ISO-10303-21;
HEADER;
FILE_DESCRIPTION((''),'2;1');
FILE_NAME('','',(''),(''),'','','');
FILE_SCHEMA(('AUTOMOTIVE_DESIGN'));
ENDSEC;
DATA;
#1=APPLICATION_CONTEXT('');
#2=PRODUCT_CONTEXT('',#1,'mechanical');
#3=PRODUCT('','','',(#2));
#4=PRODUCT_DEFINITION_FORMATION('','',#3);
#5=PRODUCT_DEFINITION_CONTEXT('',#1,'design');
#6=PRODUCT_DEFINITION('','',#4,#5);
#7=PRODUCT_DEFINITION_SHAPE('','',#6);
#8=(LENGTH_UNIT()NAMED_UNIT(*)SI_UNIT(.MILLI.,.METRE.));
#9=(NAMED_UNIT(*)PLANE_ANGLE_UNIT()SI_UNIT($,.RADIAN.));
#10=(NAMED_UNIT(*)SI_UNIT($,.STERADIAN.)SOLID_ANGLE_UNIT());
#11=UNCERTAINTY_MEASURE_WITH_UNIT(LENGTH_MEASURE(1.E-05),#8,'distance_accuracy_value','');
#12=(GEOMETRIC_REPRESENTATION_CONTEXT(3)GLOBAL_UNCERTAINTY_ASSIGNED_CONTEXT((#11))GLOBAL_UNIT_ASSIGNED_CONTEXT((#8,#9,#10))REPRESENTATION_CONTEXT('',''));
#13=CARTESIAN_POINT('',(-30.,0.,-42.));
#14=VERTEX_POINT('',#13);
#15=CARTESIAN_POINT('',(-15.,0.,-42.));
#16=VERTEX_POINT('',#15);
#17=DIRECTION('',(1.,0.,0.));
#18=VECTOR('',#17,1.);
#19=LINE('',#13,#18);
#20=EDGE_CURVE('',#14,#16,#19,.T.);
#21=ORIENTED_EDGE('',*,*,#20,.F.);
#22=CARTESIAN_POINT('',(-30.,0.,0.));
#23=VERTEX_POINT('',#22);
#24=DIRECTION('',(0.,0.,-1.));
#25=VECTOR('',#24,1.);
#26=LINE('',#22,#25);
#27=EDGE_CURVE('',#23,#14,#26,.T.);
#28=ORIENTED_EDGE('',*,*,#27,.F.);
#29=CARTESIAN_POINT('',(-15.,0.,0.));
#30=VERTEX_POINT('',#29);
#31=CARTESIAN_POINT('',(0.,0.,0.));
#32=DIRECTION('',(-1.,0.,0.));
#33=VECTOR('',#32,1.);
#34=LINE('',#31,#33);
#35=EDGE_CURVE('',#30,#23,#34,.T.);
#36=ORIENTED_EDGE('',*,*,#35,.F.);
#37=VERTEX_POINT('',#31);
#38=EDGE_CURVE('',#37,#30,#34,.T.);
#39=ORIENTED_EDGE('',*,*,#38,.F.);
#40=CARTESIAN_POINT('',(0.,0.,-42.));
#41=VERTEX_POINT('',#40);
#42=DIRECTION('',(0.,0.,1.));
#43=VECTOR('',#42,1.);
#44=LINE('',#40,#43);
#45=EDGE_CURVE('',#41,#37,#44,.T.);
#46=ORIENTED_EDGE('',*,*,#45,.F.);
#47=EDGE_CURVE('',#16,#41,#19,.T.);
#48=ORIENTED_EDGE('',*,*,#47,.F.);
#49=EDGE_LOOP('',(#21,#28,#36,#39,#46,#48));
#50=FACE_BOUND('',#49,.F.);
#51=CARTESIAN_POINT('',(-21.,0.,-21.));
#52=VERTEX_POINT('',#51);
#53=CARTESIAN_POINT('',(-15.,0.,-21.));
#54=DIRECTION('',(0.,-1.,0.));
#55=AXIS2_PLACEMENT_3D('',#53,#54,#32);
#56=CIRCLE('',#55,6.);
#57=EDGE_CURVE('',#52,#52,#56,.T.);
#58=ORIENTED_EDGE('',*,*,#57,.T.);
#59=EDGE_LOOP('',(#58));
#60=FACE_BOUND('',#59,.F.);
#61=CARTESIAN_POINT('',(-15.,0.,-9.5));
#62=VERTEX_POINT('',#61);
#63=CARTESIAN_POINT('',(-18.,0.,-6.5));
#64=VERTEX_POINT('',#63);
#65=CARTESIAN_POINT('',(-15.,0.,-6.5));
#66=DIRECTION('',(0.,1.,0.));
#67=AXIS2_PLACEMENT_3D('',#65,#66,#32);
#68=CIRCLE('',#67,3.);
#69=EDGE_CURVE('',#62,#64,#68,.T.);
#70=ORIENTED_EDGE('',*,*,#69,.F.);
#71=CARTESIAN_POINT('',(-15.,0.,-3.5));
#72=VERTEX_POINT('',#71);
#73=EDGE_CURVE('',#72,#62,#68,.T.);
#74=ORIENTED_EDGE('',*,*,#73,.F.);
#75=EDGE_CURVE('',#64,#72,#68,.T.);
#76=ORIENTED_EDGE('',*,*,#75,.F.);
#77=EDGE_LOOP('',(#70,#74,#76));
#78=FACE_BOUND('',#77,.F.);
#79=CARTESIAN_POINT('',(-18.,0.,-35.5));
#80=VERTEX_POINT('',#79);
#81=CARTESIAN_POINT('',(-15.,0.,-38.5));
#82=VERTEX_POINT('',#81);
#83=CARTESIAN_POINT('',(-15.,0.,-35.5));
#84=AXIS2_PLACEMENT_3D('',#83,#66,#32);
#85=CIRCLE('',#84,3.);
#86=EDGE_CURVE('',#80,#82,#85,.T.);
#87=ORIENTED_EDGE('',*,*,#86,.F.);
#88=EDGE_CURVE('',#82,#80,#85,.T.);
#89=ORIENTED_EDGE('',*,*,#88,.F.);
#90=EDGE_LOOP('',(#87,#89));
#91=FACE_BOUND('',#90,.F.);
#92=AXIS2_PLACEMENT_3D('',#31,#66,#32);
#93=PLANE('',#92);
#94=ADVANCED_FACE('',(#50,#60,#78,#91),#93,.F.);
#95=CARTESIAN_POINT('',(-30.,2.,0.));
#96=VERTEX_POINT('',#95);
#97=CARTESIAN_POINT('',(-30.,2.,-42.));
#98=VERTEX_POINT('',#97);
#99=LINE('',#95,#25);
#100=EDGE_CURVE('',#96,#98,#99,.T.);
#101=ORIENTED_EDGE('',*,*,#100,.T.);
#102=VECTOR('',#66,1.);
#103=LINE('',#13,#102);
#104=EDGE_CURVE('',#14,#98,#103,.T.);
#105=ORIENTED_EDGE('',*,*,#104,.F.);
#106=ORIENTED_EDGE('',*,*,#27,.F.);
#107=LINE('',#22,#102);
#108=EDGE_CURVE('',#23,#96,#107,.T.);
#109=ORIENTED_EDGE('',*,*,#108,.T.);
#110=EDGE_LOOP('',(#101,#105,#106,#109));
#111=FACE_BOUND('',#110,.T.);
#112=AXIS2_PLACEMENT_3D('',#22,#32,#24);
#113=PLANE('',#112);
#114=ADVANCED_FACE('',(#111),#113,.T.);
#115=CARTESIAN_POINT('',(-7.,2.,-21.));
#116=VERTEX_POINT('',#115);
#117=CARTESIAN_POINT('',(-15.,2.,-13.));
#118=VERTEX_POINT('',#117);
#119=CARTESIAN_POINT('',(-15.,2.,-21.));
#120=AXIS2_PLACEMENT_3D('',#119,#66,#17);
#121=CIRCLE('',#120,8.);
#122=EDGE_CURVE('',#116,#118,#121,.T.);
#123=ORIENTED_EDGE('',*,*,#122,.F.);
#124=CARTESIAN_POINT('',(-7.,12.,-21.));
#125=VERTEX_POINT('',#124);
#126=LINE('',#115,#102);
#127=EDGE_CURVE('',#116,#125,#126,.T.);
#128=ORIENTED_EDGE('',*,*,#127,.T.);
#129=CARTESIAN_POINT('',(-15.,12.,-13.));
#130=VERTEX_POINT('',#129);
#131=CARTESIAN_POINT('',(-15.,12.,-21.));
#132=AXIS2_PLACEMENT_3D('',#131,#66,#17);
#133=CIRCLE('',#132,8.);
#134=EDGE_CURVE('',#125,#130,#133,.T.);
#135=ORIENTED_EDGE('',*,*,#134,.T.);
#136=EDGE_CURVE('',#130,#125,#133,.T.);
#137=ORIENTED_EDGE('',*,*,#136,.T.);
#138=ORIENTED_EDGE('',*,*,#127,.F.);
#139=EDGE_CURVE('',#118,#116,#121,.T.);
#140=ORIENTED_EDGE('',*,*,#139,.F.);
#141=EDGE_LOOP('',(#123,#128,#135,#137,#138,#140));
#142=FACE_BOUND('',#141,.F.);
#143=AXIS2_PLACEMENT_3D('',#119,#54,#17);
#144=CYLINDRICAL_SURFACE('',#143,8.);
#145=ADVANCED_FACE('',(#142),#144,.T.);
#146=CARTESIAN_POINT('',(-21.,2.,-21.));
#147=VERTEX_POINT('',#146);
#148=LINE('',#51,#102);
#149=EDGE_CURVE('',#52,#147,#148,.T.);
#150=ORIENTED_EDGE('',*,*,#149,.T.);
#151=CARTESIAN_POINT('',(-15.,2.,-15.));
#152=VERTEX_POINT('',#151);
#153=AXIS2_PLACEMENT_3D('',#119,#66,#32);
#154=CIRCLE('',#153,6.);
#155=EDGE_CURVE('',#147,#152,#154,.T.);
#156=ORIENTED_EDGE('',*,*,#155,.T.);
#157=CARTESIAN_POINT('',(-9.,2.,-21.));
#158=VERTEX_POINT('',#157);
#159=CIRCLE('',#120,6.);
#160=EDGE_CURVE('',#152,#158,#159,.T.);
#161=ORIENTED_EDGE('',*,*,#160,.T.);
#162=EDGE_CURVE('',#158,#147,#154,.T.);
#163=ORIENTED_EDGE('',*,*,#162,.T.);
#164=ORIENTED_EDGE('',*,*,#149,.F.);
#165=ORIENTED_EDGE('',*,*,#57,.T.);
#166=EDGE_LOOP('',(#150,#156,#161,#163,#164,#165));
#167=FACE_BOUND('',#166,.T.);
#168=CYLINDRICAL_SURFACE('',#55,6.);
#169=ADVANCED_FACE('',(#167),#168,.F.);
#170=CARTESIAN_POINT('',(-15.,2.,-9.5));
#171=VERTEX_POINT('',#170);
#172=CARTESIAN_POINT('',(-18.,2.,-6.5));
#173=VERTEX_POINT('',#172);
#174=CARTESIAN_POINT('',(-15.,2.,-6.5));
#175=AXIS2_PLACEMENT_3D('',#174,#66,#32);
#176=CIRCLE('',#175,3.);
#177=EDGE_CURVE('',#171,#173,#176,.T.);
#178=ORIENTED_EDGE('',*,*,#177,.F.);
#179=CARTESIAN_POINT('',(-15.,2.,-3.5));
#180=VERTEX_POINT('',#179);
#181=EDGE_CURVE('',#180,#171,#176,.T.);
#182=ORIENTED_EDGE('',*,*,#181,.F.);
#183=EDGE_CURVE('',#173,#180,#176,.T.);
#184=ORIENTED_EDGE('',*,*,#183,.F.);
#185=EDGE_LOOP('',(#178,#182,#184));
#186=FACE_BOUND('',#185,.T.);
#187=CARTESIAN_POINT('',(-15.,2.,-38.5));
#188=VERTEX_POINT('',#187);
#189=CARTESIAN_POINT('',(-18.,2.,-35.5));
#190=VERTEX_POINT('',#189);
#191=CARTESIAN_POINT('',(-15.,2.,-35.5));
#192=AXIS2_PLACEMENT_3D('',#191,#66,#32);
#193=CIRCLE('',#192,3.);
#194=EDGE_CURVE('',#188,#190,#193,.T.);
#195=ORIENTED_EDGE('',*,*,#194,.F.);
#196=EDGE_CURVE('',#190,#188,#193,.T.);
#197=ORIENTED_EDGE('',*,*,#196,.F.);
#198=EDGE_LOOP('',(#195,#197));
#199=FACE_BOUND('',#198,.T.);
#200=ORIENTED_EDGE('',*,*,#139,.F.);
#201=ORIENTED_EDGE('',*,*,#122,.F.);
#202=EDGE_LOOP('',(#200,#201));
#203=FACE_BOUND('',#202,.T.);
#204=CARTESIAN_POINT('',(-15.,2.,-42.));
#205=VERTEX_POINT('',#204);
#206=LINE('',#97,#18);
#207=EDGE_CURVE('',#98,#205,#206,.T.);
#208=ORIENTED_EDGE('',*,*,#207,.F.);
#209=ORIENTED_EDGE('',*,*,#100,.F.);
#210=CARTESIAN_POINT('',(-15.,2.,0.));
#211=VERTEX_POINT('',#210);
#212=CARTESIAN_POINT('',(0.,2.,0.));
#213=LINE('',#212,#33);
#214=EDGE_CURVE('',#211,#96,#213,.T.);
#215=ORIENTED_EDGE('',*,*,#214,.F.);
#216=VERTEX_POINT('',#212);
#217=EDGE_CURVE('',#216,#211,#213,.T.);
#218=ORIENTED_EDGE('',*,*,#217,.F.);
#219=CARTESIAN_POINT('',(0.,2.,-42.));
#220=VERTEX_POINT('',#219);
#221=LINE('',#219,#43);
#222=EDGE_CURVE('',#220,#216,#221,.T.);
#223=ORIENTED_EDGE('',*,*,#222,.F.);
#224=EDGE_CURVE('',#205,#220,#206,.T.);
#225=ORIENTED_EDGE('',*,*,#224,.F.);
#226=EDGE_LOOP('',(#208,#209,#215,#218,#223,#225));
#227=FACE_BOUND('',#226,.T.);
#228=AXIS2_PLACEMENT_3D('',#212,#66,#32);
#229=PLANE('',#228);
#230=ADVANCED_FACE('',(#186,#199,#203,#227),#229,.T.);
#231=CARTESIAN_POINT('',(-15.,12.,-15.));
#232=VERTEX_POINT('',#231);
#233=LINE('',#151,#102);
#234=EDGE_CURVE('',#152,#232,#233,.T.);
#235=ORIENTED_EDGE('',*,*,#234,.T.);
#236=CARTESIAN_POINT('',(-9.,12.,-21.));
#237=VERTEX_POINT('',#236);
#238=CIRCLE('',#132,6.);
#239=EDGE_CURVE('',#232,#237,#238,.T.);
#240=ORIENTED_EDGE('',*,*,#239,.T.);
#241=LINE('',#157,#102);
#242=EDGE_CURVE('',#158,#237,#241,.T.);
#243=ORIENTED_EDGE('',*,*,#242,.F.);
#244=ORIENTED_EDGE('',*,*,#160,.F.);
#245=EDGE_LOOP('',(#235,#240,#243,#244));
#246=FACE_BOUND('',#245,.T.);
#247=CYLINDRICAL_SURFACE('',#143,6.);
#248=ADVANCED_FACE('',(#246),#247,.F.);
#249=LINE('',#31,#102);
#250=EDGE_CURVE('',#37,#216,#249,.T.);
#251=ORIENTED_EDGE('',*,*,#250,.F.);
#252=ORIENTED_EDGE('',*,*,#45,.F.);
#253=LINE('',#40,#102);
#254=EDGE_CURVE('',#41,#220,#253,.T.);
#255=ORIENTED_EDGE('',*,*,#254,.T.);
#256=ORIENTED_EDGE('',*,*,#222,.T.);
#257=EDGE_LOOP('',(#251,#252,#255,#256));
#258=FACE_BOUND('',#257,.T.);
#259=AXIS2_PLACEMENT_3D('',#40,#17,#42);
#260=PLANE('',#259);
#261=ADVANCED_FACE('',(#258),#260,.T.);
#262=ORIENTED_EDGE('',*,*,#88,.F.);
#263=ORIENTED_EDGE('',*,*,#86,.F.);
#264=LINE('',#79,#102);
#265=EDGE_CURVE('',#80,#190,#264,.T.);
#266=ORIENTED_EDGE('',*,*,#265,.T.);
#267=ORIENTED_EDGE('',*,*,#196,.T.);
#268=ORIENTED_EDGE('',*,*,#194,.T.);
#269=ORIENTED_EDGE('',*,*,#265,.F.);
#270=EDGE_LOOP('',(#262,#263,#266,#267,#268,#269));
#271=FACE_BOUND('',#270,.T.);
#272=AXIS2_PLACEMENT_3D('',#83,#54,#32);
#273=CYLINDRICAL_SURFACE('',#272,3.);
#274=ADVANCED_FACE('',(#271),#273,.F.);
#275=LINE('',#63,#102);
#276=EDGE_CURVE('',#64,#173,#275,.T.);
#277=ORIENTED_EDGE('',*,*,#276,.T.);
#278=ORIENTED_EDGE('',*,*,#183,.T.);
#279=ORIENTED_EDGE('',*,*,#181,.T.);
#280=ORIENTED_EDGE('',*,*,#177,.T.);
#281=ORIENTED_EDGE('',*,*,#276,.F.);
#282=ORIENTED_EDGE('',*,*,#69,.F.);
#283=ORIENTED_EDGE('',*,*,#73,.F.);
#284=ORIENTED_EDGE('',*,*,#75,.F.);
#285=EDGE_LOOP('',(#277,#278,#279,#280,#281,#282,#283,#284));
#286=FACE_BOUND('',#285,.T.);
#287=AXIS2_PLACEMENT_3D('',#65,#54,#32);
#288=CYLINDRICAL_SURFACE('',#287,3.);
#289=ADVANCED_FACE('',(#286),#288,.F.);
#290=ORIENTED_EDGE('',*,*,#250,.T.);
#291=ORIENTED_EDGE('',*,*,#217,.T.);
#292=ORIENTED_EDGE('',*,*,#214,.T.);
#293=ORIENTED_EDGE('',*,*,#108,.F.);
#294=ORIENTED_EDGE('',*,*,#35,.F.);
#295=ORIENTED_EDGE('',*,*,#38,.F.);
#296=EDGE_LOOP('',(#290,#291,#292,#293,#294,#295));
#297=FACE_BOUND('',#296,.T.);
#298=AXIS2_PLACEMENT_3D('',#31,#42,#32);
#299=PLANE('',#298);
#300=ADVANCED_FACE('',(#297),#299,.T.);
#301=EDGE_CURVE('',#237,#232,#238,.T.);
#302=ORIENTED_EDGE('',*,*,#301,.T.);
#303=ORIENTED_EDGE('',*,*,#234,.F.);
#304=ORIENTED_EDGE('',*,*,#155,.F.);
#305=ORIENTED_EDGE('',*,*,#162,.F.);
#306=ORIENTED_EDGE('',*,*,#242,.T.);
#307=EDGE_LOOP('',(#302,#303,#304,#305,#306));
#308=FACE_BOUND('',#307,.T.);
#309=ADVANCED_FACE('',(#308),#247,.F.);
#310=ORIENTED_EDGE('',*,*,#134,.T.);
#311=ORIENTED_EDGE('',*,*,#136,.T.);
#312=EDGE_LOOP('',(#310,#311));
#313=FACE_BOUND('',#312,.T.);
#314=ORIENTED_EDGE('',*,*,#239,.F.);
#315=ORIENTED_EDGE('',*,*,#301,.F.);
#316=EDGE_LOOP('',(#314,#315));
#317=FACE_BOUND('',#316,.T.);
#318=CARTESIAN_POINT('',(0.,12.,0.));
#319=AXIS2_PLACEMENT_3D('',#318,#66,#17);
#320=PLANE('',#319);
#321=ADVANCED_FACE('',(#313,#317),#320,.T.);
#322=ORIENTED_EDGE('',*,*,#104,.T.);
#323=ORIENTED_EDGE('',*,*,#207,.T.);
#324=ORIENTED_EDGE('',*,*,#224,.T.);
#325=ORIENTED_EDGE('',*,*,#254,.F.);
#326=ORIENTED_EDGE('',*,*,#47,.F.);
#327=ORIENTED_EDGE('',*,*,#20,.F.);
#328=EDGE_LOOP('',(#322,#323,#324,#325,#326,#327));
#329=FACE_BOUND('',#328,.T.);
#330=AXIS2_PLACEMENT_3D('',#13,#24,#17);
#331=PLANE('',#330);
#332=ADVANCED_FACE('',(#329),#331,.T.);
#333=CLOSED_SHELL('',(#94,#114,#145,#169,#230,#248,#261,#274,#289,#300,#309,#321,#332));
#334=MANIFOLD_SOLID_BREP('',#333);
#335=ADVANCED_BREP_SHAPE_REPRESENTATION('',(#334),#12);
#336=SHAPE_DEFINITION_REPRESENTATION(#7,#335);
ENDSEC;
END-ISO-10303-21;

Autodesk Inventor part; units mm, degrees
ref_plane "YZ Plane" through (0, 0, 0) normal (1, 0, 0) x (0, 1, 0)
ref_plane "XZ Plane" through (0, 0, 0) normal (0, 1, 0) x (-1, 0, 0)
ref_plane "XY Plane" through (0, 0, 0) normal (0, 0, 1) x (1, 0, 0)
sketch "Sketch1" plane through (0, 0, 0) normal (0, 1, 0) x (-1, 0, 0)
  line L0 (0, 0) -> (30, 0)
  line L1 (30, 0) -> (30, -42)
  line L2 (30, -42) -> (0, -42)
  line L3 (0, -42) -> (0, 0)
  line L4 (0, 0) -> (15, 0)
  line L5 (15, 0) -> (15, -6.5)
  circle A0 centre (15, -6.5) radius 3
  line L6 (15, -42) -> (15, -35.5)
  circle A1 centre (15, -35.5) radius 3
  line L7 (5, -21) -> (15, -21)
  circle A2 centre (15, -21) radius 6
  circle A3 centre (15, -21) radius 8
  line L8 (15, 0) -> (15, -21)
  dimension "d0" = 30
  dimension "d1" = 42
  dimension "d2" = 15
  dimension "d3" = 6.5
  dimension "d5" = 6
  dimension "d6" = 6.5
  dimension "d7" = 6
  dimension "d8" = 12
  dimension "d10" = 21
extrude "Extrusion1" add sketch "Sketch1" along normal blind 2 contours A3 L7 A2 L8 | L8 A2 L7 A3 | L0 L1 L2 L3
sketch "Sketch2" plane through (0, 2, 0) normal (0, 1, 0) x (1, 0, 0)
  line L0 (-30, 0) -> (0, 0) projected
  line L1 (-15, 0) -> (-15, 21)
  circle A0 centre (-15, 21) radius 6 projected
  circle A1 centre (-15, 21) radius 8
  circle A2 centre (-15, 21) radius 6
  dimension "d13" = 21
extrude "Extrusion2" add sketch "Sketch2" along normal blind 10
properties part number "bearing_shaft_base_mount" material "PET Plastic"
